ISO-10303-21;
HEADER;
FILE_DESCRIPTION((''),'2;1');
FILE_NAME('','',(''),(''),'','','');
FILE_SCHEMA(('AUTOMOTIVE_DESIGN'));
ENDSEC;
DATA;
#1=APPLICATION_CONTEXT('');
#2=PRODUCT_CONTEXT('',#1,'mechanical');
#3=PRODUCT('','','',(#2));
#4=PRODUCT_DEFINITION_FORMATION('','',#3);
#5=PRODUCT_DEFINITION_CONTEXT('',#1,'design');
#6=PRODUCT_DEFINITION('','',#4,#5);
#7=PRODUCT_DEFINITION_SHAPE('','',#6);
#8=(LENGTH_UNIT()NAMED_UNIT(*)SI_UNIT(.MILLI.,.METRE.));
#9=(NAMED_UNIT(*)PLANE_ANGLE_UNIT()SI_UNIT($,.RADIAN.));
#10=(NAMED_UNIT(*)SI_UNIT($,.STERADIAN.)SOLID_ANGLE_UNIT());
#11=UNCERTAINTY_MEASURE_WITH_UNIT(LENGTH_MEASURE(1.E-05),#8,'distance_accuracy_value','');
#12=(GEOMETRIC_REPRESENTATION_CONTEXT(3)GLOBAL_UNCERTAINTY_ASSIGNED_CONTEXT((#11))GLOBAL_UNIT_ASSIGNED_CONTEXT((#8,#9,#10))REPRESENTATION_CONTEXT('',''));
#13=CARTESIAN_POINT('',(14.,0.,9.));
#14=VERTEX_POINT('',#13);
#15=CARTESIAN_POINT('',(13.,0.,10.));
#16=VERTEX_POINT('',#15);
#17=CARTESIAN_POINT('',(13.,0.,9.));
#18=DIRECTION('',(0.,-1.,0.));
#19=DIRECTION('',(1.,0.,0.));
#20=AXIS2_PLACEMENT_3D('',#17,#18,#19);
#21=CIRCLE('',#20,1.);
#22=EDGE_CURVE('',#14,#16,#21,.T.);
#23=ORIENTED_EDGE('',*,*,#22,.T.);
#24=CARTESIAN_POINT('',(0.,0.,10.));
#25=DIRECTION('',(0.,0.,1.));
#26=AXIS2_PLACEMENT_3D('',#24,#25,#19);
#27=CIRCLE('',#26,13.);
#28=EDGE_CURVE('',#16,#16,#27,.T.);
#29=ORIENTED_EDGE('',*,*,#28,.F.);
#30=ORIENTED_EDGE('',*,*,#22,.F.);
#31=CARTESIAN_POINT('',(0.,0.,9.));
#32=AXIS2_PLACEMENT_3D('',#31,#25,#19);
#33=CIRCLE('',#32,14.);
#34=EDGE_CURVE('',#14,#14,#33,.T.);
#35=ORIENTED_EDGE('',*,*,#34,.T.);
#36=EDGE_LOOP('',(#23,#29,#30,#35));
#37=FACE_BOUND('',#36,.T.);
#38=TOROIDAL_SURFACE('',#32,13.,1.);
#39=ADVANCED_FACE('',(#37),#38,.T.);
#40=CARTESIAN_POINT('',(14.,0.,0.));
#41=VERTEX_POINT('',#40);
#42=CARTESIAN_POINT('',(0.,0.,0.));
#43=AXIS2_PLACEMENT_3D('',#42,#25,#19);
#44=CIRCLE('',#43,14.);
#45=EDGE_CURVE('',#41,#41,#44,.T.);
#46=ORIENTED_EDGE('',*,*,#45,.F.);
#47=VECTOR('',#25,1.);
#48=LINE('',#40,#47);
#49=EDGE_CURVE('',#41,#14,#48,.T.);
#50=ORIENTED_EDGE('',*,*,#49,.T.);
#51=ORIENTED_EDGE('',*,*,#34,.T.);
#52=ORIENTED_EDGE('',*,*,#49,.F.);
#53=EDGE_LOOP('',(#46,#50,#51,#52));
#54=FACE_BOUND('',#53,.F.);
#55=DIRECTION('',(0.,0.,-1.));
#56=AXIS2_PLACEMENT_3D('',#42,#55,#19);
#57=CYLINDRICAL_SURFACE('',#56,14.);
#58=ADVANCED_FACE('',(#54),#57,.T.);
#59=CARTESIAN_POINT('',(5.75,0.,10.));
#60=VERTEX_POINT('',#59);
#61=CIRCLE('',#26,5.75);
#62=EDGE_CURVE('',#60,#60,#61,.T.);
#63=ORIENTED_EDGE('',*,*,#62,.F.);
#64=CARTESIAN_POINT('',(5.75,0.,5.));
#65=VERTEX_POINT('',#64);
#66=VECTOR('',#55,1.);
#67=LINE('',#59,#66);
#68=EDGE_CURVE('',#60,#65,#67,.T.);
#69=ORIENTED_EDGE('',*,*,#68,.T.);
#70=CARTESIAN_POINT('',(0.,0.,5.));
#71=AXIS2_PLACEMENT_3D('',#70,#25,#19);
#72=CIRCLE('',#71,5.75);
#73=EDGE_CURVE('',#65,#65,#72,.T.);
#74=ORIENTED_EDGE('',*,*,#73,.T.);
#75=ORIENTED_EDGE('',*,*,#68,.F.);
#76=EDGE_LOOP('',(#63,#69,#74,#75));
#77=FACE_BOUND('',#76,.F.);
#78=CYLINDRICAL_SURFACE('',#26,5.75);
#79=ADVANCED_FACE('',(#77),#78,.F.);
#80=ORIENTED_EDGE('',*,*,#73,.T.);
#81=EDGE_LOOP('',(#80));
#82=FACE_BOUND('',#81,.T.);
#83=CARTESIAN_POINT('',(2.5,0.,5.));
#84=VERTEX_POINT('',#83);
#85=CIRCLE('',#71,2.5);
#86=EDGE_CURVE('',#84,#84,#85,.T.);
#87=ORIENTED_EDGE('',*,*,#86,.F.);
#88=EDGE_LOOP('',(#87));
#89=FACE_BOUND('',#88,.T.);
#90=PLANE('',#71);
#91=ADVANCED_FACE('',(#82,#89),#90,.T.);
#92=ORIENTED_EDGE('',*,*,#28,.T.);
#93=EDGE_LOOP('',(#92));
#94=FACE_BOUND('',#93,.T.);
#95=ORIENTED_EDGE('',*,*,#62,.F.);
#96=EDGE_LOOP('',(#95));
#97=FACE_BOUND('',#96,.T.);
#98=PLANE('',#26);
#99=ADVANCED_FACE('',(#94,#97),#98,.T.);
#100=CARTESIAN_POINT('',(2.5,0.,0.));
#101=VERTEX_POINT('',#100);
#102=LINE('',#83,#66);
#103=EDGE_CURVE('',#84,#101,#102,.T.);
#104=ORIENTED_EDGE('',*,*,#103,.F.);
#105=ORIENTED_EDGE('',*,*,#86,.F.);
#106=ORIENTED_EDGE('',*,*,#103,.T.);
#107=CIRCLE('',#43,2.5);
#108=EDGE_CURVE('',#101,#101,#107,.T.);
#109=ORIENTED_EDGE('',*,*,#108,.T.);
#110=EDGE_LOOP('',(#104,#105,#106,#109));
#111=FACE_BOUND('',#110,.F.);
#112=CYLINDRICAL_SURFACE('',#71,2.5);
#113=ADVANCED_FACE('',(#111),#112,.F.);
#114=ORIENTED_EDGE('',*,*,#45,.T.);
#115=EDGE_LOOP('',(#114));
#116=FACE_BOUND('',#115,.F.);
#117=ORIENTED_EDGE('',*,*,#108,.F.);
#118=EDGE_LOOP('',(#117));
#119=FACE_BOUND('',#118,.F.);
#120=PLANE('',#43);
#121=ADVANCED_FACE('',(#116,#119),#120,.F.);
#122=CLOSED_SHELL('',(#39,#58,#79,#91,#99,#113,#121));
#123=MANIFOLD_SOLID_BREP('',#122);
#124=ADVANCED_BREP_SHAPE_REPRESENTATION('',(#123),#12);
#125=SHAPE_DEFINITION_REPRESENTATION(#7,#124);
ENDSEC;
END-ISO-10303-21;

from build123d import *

# Parameters (mm, degrees)
F0_R     = 14
F1_DEPTH = 10
F2_R     = 5.75
F3_DEPTH = 5
F4_R     = 2.5
F5_DEPTH = 5.001
F6_R     = 1


with BuildPart() as f1:
    # F0 (on Top) → F1 (new body)
    with BuildSketch(Plane.XY):
        Circle(F0_R)
    extrude(amount=F1_DEPTH)

    # F2 (on face) → F3 (cut)
    with BuildSketch(Plane.XY.offset(10)):
        Circle(F2_R)
    extrude(amount=-F3_DEPTH, mode=Mode.SUBTRACT)

    # F4 (on face) → F5 (cut, through all)
    with BuildSketch(Plane.XY.offset(5)):
        Circle(F4_R)
    extrude(amount=-F5_DEPTH, mode=Mode.SUBTRACT)

    # F6
    f6_edges = [f1.edges().sort_by_distance(p)[0] for p in [
        (-14, 0, 10),
    ]]
    fillet(f6_edges, radius=F6_R)


solid = f1.part
